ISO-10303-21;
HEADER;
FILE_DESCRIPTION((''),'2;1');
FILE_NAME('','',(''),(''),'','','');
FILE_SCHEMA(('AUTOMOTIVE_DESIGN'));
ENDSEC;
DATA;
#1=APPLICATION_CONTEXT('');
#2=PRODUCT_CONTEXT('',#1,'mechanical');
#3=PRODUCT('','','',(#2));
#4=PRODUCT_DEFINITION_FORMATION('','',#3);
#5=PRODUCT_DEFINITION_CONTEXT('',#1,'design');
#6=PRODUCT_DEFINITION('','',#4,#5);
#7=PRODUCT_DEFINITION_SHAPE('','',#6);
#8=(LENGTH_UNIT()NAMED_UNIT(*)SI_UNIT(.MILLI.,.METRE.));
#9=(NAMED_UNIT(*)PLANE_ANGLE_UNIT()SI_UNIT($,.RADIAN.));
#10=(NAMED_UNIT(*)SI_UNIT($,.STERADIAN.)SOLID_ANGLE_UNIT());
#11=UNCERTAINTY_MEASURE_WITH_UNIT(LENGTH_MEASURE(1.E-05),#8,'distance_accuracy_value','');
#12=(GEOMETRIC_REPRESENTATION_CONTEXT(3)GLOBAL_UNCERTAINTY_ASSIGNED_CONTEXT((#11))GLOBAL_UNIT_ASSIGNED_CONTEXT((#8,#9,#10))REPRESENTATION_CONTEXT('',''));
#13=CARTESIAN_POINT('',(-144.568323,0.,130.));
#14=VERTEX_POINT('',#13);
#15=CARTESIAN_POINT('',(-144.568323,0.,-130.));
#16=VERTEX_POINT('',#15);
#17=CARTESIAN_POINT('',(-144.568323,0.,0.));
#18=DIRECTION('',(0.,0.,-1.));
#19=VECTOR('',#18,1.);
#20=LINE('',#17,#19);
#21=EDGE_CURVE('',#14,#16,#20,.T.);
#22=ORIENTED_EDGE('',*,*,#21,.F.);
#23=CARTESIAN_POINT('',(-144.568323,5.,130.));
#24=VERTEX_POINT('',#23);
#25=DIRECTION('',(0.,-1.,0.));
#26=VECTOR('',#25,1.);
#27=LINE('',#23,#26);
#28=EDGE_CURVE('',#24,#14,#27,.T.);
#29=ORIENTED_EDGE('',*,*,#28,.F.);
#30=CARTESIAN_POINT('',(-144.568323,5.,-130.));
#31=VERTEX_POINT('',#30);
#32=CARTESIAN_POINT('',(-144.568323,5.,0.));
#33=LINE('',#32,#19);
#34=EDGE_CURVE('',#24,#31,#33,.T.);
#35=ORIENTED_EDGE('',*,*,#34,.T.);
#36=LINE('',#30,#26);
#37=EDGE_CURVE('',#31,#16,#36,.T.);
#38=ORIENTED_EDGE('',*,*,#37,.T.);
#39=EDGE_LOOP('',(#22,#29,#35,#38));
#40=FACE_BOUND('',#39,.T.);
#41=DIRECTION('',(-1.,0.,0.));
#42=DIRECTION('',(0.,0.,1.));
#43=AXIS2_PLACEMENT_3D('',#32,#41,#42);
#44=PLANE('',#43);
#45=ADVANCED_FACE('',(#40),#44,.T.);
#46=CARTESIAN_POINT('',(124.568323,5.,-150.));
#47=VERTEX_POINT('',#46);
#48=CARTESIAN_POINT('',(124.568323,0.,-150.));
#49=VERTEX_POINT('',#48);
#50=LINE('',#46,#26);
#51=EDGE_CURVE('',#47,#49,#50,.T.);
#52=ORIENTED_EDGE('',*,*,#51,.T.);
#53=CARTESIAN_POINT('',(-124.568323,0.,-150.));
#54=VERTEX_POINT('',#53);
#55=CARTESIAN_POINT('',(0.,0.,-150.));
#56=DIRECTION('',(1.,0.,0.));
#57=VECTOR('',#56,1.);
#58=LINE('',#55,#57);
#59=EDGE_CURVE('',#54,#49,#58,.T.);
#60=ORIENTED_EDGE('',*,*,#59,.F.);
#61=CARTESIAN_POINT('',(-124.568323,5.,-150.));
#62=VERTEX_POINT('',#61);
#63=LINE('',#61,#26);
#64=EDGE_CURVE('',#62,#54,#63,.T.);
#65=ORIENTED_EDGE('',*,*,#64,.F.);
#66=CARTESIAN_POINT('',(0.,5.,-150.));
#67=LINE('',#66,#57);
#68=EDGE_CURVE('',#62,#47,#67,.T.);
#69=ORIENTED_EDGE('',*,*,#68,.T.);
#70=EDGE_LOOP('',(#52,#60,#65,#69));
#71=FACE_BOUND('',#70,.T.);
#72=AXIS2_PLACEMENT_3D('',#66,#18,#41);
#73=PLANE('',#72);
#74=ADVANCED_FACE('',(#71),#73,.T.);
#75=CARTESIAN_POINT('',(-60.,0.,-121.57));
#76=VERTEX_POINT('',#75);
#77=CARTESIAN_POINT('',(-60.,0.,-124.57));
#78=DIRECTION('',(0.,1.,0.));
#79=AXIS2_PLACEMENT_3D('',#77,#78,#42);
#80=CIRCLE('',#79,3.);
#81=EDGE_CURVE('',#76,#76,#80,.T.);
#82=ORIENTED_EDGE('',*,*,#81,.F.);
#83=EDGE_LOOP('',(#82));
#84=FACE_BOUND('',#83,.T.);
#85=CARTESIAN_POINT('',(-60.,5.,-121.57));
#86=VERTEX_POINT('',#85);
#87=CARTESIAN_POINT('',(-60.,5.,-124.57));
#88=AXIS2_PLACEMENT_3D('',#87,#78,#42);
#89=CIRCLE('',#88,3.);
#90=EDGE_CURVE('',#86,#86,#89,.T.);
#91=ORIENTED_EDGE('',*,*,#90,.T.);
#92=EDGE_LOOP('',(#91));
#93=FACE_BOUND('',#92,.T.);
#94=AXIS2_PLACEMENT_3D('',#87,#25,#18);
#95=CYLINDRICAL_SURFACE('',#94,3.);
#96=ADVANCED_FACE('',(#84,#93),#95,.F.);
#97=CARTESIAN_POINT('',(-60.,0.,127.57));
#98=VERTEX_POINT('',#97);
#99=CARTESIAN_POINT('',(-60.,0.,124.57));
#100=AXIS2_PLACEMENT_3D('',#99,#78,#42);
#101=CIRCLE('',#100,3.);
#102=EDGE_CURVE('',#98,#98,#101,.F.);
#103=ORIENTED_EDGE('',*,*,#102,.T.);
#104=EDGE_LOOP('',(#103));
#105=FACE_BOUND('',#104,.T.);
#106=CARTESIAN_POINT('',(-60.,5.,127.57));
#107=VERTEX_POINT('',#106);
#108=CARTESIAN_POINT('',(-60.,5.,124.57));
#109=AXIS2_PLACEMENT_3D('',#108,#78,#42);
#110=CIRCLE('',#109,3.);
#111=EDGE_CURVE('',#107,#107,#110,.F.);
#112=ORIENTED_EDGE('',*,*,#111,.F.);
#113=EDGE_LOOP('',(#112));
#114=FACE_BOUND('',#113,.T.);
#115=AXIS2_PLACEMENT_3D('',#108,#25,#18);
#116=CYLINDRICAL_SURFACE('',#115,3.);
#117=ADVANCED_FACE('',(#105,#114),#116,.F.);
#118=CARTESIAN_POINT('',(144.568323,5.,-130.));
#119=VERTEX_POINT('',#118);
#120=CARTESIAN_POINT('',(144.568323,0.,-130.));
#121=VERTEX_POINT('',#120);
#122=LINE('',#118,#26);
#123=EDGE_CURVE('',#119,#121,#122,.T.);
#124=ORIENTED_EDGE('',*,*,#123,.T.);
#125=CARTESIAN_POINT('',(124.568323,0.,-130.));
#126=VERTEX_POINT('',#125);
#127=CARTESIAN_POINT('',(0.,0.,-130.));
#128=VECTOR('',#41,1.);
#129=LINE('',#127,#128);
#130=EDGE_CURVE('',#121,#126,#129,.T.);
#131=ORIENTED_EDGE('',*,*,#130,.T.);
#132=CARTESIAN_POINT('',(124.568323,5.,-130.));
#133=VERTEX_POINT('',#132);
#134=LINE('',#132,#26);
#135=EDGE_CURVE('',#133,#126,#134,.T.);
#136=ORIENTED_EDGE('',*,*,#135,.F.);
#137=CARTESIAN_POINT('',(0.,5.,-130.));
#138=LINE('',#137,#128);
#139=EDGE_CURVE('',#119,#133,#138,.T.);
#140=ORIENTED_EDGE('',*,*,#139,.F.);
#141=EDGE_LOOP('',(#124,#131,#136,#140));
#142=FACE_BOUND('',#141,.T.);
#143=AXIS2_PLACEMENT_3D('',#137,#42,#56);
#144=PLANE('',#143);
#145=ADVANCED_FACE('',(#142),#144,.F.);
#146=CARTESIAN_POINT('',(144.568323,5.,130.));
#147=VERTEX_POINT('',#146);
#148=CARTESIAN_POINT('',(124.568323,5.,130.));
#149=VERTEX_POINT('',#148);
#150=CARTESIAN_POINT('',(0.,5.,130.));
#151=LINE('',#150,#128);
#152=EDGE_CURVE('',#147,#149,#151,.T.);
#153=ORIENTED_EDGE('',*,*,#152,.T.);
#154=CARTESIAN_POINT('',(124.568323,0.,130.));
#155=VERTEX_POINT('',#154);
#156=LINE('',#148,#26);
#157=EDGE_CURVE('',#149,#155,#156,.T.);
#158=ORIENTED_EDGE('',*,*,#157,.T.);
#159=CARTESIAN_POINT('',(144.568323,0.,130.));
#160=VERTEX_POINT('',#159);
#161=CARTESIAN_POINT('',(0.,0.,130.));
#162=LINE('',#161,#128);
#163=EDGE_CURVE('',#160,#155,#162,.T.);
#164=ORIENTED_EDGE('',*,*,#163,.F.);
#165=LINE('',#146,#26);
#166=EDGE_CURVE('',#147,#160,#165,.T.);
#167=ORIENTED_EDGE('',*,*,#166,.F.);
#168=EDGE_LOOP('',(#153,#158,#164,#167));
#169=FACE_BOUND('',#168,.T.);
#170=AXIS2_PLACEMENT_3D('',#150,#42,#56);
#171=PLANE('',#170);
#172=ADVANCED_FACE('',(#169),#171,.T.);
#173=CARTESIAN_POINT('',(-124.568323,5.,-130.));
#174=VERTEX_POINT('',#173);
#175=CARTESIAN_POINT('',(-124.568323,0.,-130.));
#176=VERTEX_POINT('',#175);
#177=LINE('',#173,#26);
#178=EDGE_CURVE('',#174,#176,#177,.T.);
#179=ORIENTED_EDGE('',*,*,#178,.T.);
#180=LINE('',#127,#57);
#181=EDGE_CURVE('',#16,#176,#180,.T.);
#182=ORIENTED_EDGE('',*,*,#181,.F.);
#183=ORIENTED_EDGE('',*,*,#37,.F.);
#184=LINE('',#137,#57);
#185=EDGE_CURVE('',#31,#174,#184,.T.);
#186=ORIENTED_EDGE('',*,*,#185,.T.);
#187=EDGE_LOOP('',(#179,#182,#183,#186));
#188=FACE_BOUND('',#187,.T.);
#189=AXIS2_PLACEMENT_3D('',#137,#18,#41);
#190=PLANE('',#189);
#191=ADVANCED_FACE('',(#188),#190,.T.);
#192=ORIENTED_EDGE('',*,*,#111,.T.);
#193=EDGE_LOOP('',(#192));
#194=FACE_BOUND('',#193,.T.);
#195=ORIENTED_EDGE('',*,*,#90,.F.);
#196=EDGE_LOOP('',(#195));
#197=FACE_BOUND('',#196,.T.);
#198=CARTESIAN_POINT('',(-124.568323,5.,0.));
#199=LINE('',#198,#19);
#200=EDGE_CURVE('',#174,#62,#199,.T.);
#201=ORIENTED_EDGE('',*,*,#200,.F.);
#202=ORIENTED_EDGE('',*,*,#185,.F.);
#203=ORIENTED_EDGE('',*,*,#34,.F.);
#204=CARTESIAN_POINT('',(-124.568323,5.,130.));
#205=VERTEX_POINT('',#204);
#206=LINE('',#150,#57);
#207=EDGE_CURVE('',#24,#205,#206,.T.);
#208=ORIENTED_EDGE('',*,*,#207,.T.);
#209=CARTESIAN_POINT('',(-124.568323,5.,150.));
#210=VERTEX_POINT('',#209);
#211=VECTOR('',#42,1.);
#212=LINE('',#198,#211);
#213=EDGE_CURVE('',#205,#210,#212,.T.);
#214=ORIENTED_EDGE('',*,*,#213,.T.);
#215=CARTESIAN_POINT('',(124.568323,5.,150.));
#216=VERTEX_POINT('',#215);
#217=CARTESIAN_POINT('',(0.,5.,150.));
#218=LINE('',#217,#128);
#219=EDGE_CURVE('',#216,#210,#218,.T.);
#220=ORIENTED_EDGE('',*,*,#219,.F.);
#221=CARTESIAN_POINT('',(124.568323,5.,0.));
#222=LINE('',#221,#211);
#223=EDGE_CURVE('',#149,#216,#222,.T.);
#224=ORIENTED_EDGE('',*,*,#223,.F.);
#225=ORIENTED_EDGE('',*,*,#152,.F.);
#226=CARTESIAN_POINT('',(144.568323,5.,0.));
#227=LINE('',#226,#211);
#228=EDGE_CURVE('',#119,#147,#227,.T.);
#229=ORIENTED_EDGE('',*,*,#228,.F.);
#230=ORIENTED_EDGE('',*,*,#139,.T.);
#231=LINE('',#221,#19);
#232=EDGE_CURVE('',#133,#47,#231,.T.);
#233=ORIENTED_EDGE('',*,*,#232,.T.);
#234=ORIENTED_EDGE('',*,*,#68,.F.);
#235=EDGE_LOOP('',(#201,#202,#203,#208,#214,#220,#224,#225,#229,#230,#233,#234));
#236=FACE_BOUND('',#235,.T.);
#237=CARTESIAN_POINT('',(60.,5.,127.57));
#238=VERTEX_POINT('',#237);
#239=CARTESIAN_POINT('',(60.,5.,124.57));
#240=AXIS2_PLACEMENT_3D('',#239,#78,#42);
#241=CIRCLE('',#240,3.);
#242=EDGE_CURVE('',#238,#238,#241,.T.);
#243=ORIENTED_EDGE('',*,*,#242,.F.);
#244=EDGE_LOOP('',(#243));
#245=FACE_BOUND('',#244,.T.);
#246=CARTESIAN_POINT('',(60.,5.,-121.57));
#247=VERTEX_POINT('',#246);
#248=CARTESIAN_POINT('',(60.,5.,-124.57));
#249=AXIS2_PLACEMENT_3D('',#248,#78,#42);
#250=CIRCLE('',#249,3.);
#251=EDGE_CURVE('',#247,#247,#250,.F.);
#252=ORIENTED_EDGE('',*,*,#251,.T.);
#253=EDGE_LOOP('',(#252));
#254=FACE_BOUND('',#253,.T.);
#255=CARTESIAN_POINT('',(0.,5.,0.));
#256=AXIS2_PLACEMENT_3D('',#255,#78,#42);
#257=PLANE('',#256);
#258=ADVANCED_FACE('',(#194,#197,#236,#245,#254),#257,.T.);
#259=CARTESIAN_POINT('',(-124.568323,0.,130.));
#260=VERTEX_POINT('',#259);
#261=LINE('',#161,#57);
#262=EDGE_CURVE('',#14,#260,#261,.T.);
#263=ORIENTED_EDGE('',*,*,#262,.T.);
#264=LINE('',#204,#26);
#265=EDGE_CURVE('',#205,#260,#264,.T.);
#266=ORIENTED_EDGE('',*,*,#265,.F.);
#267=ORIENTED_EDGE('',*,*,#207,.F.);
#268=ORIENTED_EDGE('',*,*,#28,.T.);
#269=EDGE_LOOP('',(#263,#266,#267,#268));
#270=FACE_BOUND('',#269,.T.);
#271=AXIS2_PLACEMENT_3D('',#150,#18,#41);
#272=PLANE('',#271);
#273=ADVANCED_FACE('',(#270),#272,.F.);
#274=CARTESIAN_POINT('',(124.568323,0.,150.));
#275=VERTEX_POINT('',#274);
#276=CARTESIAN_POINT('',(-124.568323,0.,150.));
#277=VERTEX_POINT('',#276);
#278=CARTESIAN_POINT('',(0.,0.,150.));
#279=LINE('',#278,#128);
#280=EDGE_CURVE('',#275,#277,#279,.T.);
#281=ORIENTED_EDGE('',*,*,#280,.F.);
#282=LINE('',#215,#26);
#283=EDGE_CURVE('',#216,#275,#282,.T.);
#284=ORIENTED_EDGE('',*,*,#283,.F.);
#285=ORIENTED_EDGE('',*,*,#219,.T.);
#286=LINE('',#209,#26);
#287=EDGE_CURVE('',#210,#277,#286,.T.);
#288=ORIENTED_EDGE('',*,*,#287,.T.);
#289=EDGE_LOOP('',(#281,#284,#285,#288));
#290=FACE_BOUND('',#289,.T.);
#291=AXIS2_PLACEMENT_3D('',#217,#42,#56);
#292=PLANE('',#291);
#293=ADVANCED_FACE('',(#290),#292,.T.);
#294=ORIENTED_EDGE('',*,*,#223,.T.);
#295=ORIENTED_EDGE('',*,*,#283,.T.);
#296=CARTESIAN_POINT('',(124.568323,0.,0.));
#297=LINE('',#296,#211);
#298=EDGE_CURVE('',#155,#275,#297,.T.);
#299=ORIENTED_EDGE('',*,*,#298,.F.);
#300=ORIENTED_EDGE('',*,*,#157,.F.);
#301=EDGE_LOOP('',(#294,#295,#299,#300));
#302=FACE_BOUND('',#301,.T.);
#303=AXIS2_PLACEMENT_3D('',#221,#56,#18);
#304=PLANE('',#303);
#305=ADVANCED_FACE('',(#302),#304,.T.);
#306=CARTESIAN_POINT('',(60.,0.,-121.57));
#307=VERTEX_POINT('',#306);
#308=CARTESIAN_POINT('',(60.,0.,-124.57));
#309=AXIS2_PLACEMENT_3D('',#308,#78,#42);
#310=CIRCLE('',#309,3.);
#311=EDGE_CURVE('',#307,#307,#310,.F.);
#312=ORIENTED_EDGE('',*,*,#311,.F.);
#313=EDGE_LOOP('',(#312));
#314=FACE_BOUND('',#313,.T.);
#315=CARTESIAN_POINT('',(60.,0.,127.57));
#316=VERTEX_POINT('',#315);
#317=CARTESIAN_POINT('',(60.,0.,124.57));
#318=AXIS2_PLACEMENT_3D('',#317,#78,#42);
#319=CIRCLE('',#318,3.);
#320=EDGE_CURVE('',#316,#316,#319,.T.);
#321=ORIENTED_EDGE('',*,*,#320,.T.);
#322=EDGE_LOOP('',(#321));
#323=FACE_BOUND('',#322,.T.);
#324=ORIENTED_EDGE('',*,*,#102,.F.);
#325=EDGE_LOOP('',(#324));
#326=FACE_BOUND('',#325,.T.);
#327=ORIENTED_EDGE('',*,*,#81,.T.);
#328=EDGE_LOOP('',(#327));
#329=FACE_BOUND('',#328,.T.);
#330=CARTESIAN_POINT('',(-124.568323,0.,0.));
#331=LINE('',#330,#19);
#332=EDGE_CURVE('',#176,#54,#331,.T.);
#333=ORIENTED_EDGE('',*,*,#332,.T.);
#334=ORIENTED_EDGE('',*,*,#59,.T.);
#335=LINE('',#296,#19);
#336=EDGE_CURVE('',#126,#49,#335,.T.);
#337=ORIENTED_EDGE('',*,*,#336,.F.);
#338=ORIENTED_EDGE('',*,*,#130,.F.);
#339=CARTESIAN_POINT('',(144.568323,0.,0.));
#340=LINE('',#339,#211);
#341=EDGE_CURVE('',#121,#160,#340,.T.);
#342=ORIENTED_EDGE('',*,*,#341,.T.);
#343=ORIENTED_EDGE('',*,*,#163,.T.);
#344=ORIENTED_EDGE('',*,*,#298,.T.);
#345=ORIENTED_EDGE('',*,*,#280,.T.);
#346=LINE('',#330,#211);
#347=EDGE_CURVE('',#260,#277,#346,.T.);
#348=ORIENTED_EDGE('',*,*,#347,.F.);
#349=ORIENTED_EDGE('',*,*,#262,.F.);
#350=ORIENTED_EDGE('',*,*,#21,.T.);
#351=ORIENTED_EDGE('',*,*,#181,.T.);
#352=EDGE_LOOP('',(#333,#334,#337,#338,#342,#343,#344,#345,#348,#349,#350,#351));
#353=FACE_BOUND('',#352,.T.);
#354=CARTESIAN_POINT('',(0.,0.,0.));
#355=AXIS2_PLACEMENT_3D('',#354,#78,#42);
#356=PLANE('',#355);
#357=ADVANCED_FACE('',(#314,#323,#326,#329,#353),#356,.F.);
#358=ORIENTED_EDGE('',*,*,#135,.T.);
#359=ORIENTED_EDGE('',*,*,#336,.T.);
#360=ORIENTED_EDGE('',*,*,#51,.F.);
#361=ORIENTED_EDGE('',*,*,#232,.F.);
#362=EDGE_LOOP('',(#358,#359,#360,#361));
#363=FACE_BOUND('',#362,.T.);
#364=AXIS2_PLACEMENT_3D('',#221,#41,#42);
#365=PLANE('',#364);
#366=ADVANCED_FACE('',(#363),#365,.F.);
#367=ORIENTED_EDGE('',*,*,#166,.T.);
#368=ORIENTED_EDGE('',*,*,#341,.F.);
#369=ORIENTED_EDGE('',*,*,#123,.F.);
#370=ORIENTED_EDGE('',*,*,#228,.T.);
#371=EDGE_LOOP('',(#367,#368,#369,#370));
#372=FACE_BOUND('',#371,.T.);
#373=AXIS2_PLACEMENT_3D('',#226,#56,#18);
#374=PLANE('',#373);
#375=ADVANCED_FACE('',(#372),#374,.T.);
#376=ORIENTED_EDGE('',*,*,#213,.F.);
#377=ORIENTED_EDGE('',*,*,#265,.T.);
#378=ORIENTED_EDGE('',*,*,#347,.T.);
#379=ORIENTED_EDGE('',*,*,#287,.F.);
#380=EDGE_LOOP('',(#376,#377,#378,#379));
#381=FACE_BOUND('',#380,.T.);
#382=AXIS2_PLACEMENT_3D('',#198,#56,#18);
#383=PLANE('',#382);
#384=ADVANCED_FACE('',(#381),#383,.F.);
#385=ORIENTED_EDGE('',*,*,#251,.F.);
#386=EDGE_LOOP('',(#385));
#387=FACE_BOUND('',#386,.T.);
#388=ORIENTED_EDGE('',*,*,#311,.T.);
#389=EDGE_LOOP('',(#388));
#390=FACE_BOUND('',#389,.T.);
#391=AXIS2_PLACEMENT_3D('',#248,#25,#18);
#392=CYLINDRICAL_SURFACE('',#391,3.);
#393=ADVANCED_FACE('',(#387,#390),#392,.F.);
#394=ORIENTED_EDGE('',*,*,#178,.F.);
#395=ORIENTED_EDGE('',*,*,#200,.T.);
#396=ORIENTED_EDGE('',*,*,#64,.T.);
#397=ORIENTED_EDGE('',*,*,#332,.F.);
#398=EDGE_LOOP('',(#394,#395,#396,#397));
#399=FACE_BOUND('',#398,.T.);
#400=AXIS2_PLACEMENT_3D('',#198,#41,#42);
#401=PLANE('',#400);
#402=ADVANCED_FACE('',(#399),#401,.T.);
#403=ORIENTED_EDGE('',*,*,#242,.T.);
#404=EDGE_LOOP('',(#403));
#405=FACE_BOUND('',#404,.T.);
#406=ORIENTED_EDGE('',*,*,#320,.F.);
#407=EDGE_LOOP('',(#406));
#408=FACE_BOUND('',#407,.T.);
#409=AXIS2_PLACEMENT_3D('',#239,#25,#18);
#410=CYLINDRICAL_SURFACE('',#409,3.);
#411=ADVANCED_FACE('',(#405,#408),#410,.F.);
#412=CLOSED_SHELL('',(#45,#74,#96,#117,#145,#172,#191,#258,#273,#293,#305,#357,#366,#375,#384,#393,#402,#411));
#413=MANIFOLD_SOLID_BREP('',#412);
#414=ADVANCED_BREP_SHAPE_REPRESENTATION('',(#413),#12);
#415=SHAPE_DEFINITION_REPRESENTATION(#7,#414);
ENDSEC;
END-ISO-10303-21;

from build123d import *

# Parameters (mm, degrees)
ESQUISSE1_R        = 3
ESQUISSE1_W        = 40
ESQUISSE1_H        = 80
BOSS_EXTRU_1_DEPTH = 5


with BuildPart() as part:
    # Esquisse1 → Boss.-Extru.1 (new body)
    # profile 1 of 7: a face of its own
    with BuildSketch(Plane(origin=(0, 0, 0), x_dir=(1, 0, 0), z_dir=(0, 1, 0))):
        with BuildLine():
            Line((-144.568322948, 130), (-144.568322948, 40))
            ThreePointArc((-144.568322948, 40), (-90.829510466, 119.373363982), (3.94e-07, 150))
            Line((3.94e-07, 150), (-124.568322948, 150))
            Line((-124.568322948, 150), (-124.568322948, 130))
            Line((-124.568322948, 130), (-144.568322948, 130))
        make_face()
    # profile 2 of 7: a face of its own
    with BuildSketch(Plane(origin=(0, 0, 0), x_dir=(1, 0, 0), z_dir=(0, 1, 0))):
        with BuildLine():
            ThreePointArc((3.94e-07, 150), (-90.829510466, 119.373363982), (-144.568322948, 40))
            Line((-144.568322948, 40), (-104.568322948, 40))
            Line((-104.568322948, 40), (-104.568322948, -40))
            Line((-104.568322948, -40), (-144.568322948, -40))
            ThreePointArc((-144.568322948, -40), (-90.829510457, -119.373363989), (4.17e-07, -150))
            ThreePointArc((4.17e-07, -150), (90.829510789, -119.373363737), (144.568322948, -40))
            Line((144.568322948, -40), (104.568322948, -40))
            Line((104.568322948, -40), (104.568322948, 40))
            Line((104.568322948, 40), (144.568322948, 40))
            ThreePointArc((144.568322948, 40), (90.82951078, 119.373363744), (3.94e-07, 150))
        make_face()
        with Locations(Location((-60, -124.57, 0), (0, 0, 270))):
            Circle(ESQUISSE1_R, mode=Mode.SUBTRACT)
        with Locations(Location((60, -124.57, 0), (0, 0, 270))):
            Circle(ESQUISSE1_R, mode=Mode.SUBTRACT)
        with Locations(Location((-60, 124.57, 0), (0, 0, 270))):
            Circle(ESQUISSE1_R, mode=Mode.SUBTRACT)
        with Locations(Location((60, 124.57, 0), (0, 0, 270))):
            Circle(ESQUISSE1_R, mode=Mode.SUBTRACT)
    # profile 3 of 7: a face of its own
    with BuildSketch(Plane(origin=(0, 0, 0), x_dir=(1, 0, 0), z_dir=(0, 1, 0))):
        with BuildLine():
            ThreePointArc((4.17e-07, -150), (-90.829510457, -119.373363989), (-144.568322948, -40))
            Line((-144.568322948, -40), (-144.568322948, -130))
            Line((-144.568322948, -130), (-124.568322948, -130))
            Line((-124.568322948, -130), (-124.568322948, -150))
            Line((-124.568322948, -150), (4.17e-07, -150))
        make_face()
    # profile 4 of 7: a face of its own
    with BuildSketch(Plane(origin=(0, 0, 0), x_dir=(1, 0, 0), z_dir=(0, 1, 0))):
        with BuildLine():
            ThreePointArc((144.568322948, -40), (90.829510789, -119.373363737), (4.17e-07, -150))
            Line((4.17e-07, -150), (124.568322948, -150))
            Line((124.568322948, -150), (124.568322948, -130))
            Line((124.568322948, -130), (144.568322948, -130))
            Line((144.568322948, -130), (144.568322948, -40))
        make_face()
    # profile 5 of 7: a face of its own
    with BuildSketch(Plane(origin=(0, 0, 0), x_dir=(1, 0, 0), z_dir=(0, 1, 0))):
        with BuildLine():
            Line((124.568322948, 150), (3.94e-07, 150))
            ThreePointArc((3.94e-07, 150), (90.82951078, 119.373363744), (144.568322948, 40))
            Line((144.568322948, 40), (144.568322948, 130))
            Line((144.568322948, 130), (124.568322948, 130))
            Line((124.568322948, 130), (124.568322948, 150))
        make_face()
    # profile 6 of 7: a face of its own
    with BuildSketch(Plane(origin=(0, 0, 0), x_dir=(1, 0, 0), z_dir=(0, 1, 0))):
        with Locations((-124.568322948, 0)):
            Rectangle(ESQUISSE1_W, ESQUISSE1_H)
    # profile 7 of 7: a face of its own
    with BuildSketch(Plane(origin=(0, 0, 0), x_dir=(1, 0, 0), z_dir=(0, 1, 0))):
        with Locations((124.568322948, 0)):
            Rectangle(ESQUISSE1_W, ESQUISSE1_H)
    extrude(amount=BOSS_EXTRU_1_DEPTH)


solid = part.part
